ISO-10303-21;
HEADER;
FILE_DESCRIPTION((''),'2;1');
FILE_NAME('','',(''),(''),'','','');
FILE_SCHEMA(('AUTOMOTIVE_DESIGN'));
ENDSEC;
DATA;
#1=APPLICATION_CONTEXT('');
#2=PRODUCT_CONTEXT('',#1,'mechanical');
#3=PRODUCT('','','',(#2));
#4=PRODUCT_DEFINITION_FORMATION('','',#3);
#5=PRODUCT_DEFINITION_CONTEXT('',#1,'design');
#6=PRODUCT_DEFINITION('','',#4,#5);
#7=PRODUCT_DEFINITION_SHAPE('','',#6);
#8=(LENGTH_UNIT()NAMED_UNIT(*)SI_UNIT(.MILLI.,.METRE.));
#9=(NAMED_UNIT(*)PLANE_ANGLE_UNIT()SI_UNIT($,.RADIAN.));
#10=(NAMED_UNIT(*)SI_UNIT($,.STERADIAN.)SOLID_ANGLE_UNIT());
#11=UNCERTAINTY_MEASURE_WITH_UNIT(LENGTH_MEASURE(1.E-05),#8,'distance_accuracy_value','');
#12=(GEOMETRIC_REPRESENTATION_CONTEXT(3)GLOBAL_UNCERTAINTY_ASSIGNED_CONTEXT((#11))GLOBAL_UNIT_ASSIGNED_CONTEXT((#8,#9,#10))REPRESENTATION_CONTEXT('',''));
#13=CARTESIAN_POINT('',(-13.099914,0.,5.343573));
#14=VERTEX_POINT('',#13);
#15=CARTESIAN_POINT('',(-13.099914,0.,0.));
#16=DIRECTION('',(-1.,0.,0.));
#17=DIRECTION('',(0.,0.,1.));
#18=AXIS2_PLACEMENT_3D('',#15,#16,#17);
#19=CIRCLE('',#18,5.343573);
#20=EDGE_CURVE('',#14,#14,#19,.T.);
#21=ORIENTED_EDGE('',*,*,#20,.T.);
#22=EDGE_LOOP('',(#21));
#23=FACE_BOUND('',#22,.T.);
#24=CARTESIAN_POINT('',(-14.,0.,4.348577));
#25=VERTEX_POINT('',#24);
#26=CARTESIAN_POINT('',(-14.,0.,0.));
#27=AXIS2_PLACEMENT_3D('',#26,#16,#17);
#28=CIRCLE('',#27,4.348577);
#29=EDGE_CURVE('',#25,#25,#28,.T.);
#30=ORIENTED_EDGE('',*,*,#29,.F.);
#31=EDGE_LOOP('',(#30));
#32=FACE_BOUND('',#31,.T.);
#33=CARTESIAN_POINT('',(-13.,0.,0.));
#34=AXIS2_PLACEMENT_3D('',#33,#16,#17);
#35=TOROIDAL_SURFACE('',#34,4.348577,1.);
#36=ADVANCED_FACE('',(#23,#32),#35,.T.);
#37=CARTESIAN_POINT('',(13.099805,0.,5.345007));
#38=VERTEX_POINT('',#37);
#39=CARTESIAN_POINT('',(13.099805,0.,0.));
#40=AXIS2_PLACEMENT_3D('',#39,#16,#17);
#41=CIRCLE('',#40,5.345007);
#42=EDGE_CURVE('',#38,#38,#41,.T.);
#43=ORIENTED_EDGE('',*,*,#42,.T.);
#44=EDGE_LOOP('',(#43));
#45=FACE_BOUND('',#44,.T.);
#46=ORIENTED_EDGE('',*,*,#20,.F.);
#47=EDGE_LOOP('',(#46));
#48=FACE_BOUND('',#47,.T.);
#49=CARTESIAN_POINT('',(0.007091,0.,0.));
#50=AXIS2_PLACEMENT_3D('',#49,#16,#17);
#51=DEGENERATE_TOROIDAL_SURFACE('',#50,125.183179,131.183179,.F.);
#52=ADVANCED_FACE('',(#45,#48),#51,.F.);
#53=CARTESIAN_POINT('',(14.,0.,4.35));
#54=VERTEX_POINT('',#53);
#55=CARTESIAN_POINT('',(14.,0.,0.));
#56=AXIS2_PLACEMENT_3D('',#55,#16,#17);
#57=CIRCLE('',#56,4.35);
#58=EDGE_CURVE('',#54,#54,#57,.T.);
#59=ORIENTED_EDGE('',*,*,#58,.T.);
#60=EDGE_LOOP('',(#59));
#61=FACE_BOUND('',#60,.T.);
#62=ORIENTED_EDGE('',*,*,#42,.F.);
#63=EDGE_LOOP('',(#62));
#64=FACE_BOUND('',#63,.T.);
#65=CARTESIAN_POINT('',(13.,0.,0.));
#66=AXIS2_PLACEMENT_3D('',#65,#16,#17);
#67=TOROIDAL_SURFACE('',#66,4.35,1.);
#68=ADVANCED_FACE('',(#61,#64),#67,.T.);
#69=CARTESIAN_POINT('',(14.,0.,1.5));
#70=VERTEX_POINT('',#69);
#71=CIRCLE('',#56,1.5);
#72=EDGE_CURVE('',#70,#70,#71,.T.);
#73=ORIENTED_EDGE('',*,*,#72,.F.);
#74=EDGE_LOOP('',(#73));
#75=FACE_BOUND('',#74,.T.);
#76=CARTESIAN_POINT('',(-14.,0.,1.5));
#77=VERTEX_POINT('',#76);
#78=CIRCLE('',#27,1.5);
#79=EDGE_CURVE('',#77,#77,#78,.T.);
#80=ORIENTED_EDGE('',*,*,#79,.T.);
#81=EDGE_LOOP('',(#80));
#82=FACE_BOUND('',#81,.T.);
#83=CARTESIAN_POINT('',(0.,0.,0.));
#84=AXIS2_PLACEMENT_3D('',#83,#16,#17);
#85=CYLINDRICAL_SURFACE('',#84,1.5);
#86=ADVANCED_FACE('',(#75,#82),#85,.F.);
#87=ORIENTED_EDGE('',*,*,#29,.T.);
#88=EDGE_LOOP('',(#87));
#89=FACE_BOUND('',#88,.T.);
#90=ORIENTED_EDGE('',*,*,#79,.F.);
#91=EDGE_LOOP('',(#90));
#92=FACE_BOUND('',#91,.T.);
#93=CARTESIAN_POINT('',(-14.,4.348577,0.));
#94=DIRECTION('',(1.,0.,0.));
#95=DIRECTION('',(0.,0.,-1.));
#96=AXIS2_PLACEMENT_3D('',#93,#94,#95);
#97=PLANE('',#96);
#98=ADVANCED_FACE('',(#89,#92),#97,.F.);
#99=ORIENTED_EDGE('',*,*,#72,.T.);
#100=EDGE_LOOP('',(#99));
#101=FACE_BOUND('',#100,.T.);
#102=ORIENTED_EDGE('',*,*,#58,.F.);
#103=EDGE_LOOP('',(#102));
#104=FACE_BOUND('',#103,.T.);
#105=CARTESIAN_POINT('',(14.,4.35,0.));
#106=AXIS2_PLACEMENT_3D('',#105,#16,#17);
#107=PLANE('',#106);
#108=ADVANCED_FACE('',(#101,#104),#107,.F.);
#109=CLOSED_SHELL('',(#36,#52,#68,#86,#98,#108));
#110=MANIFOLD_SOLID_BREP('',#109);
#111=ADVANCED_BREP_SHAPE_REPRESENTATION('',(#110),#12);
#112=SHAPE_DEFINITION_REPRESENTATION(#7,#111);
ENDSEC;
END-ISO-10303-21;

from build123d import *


with BuildPart() as part:
    # Sketch1 → Revolve1 (revolve)
    with BuildSketch(Plane.XY, mode=Mode.PRIVATE) as revolve1_sk:
        with BuildLine():
            Line((-14, 1.5), (14, 1.5))
            Line((14, 1.5), (14, 4.35))
            ThreePointArc((14, 4.35), (13.741554051, 5.020893128), (13.099804821, 5.345007034))
            ThreePointArc((13.099804821, 5.345007034), (-9.0366e-05, 5.999999995), (-13.099913761, 5.343572766))
            ThreePointArc((-13.099913761, 5.343572766), (-13.741590777, 5.019429197), (-14, 4.348576665))
            Line((-14, 4.348576665), (-14, 1.5))
        make_face()
    revolve(revolve1_sk.sketch.rotate(Axis((0, 0, 0), (1, 0, 0)), 90), axis=Axis((0, 0, 0), (1, 0, 0)))


solid = part.part
